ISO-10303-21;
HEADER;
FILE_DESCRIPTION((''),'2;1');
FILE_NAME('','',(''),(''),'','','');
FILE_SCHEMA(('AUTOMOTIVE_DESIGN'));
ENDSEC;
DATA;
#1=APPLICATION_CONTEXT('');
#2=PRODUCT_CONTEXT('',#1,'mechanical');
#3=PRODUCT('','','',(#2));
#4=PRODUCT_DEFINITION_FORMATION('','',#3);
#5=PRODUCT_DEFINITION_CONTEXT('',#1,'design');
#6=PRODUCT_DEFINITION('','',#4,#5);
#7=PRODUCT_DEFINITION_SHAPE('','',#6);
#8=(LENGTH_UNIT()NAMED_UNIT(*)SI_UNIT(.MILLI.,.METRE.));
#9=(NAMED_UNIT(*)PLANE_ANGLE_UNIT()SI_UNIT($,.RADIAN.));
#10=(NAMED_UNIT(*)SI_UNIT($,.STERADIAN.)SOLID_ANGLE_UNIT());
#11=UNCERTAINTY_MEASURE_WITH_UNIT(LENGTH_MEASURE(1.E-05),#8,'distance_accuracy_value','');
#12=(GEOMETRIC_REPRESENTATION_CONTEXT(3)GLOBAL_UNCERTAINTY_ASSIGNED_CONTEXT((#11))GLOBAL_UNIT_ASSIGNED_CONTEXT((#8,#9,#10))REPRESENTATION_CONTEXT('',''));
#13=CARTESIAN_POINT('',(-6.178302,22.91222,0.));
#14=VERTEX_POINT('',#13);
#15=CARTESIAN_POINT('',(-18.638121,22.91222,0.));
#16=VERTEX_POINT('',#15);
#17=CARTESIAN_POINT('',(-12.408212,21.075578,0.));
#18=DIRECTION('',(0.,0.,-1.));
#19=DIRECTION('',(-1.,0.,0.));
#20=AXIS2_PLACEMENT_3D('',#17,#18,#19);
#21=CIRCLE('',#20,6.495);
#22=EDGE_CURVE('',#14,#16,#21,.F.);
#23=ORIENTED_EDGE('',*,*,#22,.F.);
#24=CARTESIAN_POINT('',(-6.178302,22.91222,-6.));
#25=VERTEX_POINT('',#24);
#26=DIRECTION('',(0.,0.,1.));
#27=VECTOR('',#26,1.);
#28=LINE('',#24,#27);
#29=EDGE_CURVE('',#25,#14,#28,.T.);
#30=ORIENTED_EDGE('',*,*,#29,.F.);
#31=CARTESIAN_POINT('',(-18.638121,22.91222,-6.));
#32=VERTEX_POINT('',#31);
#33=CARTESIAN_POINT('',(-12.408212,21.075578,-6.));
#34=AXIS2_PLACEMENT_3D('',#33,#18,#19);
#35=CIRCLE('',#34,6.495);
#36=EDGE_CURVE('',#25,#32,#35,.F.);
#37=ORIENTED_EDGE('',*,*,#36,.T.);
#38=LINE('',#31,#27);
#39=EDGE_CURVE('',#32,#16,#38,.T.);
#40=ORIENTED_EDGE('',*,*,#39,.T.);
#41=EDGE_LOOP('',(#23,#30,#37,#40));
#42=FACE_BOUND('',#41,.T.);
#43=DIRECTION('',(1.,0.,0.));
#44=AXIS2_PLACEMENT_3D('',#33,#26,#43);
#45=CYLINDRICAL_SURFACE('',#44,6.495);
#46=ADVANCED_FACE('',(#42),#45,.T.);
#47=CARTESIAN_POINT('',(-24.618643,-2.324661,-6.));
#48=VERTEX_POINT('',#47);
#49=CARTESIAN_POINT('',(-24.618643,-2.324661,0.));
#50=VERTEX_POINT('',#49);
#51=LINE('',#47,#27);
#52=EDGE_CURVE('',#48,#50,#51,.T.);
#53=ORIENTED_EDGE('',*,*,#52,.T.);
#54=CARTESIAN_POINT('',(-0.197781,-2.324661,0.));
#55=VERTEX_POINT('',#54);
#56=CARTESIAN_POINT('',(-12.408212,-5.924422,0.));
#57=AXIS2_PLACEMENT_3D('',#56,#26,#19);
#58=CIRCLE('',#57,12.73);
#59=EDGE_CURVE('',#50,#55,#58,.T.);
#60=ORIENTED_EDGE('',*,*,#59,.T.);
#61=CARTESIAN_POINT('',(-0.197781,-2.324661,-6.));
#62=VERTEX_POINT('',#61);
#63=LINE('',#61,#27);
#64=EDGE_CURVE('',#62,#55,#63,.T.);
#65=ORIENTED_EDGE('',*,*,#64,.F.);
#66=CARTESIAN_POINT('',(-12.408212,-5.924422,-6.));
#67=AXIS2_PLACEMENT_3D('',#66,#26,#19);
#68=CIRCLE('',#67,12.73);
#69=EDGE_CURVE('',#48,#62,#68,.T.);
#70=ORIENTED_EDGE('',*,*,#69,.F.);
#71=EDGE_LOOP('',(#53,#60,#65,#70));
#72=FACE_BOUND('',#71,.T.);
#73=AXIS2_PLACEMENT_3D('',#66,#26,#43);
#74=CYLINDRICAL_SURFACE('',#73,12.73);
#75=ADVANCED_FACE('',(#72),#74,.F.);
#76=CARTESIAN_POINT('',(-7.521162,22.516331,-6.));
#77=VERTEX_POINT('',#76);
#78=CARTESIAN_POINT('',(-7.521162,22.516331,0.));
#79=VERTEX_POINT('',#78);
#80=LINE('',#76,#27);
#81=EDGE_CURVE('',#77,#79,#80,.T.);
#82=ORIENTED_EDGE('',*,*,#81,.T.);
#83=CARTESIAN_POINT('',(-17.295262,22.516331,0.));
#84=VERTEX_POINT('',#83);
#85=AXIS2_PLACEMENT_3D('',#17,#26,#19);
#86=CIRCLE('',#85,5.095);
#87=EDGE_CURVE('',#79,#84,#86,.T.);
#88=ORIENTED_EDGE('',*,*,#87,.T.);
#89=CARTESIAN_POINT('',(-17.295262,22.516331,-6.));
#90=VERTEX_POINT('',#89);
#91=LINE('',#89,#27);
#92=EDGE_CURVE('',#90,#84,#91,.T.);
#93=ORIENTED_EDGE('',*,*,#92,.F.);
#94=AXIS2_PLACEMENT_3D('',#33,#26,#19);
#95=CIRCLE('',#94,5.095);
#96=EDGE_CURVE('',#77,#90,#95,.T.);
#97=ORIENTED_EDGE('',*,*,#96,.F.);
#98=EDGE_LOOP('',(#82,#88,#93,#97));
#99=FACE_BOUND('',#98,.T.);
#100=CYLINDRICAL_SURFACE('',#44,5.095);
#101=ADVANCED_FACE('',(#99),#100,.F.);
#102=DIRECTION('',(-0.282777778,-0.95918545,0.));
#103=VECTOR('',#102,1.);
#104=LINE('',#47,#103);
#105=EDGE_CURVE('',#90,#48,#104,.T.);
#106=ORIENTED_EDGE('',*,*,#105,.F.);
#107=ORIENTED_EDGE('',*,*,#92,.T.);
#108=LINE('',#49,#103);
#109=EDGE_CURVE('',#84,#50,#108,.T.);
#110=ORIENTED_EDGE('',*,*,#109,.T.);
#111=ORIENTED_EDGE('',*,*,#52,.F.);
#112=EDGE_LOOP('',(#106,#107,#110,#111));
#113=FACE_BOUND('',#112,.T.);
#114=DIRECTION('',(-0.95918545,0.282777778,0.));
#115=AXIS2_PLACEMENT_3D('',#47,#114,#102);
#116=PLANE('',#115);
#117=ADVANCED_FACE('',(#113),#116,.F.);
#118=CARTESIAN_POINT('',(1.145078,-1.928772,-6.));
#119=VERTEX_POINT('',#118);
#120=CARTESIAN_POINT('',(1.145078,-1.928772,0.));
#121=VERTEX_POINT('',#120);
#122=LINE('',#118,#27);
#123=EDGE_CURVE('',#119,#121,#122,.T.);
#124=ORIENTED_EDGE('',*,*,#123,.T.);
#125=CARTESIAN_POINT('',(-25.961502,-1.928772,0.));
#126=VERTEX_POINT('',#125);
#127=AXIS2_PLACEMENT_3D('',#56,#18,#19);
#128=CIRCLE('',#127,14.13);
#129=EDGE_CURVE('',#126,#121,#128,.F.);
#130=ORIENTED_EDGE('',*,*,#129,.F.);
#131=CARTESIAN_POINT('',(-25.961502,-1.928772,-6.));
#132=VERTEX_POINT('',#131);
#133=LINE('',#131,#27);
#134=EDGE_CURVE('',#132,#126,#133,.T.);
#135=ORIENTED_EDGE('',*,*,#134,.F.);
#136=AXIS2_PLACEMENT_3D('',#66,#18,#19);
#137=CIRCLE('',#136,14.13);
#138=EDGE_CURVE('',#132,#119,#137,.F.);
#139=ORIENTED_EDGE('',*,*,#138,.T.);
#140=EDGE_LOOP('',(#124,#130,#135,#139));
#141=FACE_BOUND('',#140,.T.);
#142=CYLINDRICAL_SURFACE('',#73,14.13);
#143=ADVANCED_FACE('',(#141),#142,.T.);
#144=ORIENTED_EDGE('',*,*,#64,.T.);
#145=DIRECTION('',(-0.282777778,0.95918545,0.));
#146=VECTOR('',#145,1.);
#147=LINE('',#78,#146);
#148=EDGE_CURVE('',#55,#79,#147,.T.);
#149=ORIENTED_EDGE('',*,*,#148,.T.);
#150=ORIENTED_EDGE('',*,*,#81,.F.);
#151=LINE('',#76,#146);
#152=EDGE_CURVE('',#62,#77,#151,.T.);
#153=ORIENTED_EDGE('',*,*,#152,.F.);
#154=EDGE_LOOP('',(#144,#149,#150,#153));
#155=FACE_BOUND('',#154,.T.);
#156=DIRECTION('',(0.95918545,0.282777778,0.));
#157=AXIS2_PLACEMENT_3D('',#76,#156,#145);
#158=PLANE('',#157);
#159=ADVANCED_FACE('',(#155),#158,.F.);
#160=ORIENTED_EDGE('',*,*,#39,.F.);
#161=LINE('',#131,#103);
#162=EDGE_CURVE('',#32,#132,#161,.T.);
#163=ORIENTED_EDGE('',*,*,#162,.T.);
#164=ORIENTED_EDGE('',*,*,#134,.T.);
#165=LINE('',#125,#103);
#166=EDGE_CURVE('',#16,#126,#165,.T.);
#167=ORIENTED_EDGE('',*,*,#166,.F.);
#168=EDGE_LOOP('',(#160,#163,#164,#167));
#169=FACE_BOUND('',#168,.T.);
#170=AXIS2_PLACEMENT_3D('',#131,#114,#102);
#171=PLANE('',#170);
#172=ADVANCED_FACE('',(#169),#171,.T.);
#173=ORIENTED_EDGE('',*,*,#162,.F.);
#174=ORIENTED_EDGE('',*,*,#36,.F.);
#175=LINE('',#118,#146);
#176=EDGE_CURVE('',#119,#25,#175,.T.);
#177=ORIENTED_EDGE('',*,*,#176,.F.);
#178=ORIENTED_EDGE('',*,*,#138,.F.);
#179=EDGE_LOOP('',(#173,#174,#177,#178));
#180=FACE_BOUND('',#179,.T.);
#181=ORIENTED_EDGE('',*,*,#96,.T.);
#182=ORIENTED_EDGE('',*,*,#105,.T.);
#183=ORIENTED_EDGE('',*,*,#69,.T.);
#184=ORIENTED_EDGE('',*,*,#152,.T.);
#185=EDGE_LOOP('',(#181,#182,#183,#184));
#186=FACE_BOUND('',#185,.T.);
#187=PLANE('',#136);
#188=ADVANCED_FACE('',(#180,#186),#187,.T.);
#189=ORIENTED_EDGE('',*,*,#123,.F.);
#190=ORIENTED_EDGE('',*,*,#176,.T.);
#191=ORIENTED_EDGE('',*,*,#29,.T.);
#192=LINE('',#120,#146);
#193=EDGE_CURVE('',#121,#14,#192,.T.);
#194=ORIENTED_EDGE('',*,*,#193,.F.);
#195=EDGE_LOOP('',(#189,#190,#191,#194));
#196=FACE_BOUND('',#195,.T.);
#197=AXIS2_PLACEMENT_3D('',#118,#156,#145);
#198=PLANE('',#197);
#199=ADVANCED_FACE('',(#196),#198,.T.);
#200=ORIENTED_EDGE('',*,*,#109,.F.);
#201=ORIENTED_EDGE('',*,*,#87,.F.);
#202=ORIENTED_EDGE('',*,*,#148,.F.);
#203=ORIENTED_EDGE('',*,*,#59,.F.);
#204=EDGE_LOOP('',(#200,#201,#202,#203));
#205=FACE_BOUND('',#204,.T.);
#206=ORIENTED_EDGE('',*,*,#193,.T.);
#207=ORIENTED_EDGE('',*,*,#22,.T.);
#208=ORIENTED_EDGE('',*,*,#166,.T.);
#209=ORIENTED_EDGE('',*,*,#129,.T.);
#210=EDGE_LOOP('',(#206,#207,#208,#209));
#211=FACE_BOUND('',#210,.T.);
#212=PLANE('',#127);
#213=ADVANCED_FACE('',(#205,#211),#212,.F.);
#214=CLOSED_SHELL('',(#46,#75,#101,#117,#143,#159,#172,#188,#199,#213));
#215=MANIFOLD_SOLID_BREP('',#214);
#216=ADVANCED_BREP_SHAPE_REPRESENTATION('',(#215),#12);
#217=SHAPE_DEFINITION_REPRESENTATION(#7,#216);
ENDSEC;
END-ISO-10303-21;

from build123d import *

# Parameters (mm, degrees)
EXTRUDE_THIN1_DEPTH = 6


with BuildPart() as part:
    # Sketch2 → Extrude-Thin1 (new body)
    with BuildSketch(Plane.XY):
        with BuildLine():
            Line((-6.178302498, 22.912219755), (1.145078416, -1.928771912))
            ThreePointArc((1.145078416, -1.928771912), (-12.408211999, -20.054421912), (-25.961502414, -1.928771912))
            Line((-25.961502414, -1.928771912), (-18.6381215, 22.912219755))
            ThreePointArc((-18.6381215, 22.912219755), (-12.408211999, 27.570578088), (-6.178302498, 22.912219755))
        make_face()
        with BuildLine():
            Line((-7.521162129, 22.516330866), (-0.197781214, -2.324660801))
            ThreePointArc((-0.197781214, -2.324660801), (-12.408211999, -18.654421912), (-24.618642783, -2.324660801))
            Line((-24.618642783, -2.324660801), (-17.295261869, 22.516330866))
            ThreePointArc((-17.295261869, 22.516330866), (-12.408211999, 26.170578088), (-7.521162129, 22.516330866))
        make_face(mode=Mode.SUBTRACT)
    extrude(amount=-EXTRUDE_THIN1_DEPTH)


solid = part.part
